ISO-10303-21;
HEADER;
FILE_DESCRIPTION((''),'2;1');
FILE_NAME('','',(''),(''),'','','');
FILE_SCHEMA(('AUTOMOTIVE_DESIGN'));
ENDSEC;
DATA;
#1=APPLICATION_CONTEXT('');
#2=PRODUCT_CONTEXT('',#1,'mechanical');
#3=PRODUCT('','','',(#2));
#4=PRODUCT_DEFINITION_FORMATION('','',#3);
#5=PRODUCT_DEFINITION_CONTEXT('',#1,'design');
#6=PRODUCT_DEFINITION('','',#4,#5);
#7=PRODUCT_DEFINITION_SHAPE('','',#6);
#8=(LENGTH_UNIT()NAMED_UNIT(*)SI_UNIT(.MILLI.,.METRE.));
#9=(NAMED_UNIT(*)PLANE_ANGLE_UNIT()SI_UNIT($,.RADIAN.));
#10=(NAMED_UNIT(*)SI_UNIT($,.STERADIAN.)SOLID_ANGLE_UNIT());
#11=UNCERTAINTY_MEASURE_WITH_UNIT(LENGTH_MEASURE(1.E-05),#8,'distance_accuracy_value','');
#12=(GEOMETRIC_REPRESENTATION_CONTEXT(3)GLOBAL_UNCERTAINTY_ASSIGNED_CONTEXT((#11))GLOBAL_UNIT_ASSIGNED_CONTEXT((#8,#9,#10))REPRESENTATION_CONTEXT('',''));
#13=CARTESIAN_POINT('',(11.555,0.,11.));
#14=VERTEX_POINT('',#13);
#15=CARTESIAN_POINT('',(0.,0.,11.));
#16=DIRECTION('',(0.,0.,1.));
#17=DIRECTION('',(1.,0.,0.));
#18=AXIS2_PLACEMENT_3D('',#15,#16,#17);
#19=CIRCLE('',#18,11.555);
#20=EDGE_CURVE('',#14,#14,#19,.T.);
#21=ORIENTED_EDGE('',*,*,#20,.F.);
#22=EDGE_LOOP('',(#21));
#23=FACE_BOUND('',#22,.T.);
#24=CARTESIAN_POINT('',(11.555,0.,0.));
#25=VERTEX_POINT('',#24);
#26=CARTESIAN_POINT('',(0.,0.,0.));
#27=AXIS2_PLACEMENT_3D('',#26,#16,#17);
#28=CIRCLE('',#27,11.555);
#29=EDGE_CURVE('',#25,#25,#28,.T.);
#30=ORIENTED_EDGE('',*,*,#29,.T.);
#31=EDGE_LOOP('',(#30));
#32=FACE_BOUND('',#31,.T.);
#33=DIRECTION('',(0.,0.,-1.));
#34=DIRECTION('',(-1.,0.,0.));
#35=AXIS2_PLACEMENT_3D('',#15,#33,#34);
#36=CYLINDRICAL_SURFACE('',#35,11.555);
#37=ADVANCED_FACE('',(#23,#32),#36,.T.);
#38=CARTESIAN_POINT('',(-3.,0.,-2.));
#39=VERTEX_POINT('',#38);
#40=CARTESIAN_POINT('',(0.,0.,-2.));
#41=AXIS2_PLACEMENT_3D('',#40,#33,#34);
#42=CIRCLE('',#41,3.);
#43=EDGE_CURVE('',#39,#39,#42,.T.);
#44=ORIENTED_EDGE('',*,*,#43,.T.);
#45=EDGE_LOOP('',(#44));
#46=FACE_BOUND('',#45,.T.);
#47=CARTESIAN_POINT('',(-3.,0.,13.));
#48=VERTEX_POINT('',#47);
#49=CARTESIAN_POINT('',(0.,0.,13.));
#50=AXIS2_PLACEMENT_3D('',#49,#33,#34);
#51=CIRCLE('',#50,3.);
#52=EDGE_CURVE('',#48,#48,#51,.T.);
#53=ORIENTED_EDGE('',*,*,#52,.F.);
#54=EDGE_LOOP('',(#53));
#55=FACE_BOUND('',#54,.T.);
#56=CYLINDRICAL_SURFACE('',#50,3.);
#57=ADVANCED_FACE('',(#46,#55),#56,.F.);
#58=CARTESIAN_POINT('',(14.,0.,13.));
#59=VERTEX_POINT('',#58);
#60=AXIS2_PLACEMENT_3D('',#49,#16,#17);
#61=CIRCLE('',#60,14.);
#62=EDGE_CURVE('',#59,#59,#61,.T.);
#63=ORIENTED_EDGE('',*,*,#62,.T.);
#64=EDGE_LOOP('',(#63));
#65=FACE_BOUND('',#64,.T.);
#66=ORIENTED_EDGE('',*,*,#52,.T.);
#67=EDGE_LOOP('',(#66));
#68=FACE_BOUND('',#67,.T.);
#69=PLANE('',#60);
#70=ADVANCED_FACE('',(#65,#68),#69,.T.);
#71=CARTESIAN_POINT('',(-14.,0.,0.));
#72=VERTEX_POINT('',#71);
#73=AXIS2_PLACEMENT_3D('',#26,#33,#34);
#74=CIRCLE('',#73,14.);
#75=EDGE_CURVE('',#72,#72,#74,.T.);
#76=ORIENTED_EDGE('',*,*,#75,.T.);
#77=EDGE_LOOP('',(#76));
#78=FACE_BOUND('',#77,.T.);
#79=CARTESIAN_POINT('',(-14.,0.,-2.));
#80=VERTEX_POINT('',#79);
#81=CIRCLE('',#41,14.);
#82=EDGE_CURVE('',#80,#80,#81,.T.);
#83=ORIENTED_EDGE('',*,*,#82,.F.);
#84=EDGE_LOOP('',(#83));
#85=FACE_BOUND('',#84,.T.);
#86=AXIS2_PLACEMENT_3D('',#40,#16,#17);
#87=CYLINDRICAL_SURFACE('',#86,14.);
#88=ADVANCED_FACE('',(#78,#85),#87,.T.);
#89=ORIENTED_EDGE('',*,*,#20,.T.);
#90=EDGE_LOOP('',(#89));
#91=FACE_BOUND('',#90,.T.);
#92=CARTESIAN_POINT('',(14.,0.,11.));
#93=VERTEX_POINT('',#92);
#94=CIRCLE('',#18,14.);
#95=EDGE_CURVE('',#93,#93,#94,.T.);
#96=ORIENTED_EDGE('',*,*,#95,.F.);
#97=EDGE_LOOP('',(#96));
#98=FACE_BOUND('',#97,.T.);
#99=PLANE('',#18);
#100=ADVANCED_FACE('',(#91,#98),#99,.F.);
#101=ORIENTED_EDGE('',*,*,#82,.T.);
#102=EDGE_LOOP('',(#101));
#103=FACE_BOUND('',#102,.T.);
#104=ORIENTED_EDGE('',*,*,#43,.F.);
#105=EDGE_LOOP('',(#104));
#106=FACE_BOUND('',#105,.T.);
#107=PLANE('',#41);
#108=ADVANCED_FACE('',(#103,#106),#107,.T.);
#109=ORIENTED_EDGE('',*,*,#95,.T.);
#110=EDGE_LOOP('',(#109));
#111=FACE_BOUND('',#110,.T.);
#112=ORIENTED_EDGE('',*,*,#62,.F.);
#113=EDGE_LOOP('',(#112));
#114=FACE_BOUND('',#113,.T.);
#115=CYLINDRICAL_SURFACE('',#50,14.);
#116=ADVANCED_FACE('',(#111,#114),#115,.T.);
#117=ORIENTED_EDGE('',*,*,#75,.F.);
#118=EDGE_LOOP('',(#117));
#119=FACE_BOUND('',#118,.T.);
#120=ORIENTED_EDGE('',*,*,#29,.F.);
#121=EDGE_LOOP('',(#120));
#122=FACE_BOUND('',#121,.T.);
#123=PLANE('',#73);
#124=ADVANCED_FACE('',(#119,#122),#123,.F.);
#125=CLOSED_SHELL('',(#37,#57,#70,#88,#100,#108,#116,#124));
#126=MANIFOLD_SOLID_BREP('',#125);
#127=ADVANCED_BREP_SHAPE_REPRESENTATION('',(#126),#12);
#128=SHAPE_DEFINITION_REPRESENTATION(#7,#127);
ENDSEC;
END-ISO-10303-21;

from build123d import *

# Parameters (mm, degrees)
SKETCH_1_R          = 11.555
EXTRUDE_1_DEPTH     = 11
SKETCH_2_R          = 14
EXTRUDE_2_DEPTH     = 2
EXTRUDE_START       = 2
SKETCH_3_R          = 14
EXTRUDE_3_DEPTH     = 2
SKETCH_4_R          = 3
CUT_EXTRUDE_1_DEPTH = 25.839484697


with BuildPart() as part:
    # 草图1 → 凸台-拉伸1 (new body)
    with BuildSketch(Plane.XY):
        Circle(SKETCH_1_R)
    extrude(amount=EXTRUDE_1_DEPTH)

    # 草图2 → 凸台-拉伸2 (add)
    with BuildSketch(Plane.XY.offset(11)):
        Circle(SKETCH_2_R)
    extrude(amount=EXTRUDE_2_DEPTH)

    # 草图3 → 凸台-拉伸3 (add)
    with BuildSketch(Plane(origin=(0, 0, 0), x_dir=(-1, 0, 0), z_dir=(0, 0, -1)).offset(EXTRUDE_START)):
        with Locations(Location((0, 0, 0), (0, 0, 180))):
            Circle(SKETCH_3_R)
    extrude(amount=-EXTRUDE_3_DEPTH)

    # 草图4 → 切除-拉伸1 (cut, through all)
    with BuildSketch(Plane(origin=(0, 0, -2), x_dir=(-1, 0, 0), z_dir=(0, 0, -1))):
        Circle(SKETCH_4_R)
    extrude(amount=-CUT_EXTRUDE_1_DEPTH, mode=Mode.SUBTRACT)


solid = part.part
